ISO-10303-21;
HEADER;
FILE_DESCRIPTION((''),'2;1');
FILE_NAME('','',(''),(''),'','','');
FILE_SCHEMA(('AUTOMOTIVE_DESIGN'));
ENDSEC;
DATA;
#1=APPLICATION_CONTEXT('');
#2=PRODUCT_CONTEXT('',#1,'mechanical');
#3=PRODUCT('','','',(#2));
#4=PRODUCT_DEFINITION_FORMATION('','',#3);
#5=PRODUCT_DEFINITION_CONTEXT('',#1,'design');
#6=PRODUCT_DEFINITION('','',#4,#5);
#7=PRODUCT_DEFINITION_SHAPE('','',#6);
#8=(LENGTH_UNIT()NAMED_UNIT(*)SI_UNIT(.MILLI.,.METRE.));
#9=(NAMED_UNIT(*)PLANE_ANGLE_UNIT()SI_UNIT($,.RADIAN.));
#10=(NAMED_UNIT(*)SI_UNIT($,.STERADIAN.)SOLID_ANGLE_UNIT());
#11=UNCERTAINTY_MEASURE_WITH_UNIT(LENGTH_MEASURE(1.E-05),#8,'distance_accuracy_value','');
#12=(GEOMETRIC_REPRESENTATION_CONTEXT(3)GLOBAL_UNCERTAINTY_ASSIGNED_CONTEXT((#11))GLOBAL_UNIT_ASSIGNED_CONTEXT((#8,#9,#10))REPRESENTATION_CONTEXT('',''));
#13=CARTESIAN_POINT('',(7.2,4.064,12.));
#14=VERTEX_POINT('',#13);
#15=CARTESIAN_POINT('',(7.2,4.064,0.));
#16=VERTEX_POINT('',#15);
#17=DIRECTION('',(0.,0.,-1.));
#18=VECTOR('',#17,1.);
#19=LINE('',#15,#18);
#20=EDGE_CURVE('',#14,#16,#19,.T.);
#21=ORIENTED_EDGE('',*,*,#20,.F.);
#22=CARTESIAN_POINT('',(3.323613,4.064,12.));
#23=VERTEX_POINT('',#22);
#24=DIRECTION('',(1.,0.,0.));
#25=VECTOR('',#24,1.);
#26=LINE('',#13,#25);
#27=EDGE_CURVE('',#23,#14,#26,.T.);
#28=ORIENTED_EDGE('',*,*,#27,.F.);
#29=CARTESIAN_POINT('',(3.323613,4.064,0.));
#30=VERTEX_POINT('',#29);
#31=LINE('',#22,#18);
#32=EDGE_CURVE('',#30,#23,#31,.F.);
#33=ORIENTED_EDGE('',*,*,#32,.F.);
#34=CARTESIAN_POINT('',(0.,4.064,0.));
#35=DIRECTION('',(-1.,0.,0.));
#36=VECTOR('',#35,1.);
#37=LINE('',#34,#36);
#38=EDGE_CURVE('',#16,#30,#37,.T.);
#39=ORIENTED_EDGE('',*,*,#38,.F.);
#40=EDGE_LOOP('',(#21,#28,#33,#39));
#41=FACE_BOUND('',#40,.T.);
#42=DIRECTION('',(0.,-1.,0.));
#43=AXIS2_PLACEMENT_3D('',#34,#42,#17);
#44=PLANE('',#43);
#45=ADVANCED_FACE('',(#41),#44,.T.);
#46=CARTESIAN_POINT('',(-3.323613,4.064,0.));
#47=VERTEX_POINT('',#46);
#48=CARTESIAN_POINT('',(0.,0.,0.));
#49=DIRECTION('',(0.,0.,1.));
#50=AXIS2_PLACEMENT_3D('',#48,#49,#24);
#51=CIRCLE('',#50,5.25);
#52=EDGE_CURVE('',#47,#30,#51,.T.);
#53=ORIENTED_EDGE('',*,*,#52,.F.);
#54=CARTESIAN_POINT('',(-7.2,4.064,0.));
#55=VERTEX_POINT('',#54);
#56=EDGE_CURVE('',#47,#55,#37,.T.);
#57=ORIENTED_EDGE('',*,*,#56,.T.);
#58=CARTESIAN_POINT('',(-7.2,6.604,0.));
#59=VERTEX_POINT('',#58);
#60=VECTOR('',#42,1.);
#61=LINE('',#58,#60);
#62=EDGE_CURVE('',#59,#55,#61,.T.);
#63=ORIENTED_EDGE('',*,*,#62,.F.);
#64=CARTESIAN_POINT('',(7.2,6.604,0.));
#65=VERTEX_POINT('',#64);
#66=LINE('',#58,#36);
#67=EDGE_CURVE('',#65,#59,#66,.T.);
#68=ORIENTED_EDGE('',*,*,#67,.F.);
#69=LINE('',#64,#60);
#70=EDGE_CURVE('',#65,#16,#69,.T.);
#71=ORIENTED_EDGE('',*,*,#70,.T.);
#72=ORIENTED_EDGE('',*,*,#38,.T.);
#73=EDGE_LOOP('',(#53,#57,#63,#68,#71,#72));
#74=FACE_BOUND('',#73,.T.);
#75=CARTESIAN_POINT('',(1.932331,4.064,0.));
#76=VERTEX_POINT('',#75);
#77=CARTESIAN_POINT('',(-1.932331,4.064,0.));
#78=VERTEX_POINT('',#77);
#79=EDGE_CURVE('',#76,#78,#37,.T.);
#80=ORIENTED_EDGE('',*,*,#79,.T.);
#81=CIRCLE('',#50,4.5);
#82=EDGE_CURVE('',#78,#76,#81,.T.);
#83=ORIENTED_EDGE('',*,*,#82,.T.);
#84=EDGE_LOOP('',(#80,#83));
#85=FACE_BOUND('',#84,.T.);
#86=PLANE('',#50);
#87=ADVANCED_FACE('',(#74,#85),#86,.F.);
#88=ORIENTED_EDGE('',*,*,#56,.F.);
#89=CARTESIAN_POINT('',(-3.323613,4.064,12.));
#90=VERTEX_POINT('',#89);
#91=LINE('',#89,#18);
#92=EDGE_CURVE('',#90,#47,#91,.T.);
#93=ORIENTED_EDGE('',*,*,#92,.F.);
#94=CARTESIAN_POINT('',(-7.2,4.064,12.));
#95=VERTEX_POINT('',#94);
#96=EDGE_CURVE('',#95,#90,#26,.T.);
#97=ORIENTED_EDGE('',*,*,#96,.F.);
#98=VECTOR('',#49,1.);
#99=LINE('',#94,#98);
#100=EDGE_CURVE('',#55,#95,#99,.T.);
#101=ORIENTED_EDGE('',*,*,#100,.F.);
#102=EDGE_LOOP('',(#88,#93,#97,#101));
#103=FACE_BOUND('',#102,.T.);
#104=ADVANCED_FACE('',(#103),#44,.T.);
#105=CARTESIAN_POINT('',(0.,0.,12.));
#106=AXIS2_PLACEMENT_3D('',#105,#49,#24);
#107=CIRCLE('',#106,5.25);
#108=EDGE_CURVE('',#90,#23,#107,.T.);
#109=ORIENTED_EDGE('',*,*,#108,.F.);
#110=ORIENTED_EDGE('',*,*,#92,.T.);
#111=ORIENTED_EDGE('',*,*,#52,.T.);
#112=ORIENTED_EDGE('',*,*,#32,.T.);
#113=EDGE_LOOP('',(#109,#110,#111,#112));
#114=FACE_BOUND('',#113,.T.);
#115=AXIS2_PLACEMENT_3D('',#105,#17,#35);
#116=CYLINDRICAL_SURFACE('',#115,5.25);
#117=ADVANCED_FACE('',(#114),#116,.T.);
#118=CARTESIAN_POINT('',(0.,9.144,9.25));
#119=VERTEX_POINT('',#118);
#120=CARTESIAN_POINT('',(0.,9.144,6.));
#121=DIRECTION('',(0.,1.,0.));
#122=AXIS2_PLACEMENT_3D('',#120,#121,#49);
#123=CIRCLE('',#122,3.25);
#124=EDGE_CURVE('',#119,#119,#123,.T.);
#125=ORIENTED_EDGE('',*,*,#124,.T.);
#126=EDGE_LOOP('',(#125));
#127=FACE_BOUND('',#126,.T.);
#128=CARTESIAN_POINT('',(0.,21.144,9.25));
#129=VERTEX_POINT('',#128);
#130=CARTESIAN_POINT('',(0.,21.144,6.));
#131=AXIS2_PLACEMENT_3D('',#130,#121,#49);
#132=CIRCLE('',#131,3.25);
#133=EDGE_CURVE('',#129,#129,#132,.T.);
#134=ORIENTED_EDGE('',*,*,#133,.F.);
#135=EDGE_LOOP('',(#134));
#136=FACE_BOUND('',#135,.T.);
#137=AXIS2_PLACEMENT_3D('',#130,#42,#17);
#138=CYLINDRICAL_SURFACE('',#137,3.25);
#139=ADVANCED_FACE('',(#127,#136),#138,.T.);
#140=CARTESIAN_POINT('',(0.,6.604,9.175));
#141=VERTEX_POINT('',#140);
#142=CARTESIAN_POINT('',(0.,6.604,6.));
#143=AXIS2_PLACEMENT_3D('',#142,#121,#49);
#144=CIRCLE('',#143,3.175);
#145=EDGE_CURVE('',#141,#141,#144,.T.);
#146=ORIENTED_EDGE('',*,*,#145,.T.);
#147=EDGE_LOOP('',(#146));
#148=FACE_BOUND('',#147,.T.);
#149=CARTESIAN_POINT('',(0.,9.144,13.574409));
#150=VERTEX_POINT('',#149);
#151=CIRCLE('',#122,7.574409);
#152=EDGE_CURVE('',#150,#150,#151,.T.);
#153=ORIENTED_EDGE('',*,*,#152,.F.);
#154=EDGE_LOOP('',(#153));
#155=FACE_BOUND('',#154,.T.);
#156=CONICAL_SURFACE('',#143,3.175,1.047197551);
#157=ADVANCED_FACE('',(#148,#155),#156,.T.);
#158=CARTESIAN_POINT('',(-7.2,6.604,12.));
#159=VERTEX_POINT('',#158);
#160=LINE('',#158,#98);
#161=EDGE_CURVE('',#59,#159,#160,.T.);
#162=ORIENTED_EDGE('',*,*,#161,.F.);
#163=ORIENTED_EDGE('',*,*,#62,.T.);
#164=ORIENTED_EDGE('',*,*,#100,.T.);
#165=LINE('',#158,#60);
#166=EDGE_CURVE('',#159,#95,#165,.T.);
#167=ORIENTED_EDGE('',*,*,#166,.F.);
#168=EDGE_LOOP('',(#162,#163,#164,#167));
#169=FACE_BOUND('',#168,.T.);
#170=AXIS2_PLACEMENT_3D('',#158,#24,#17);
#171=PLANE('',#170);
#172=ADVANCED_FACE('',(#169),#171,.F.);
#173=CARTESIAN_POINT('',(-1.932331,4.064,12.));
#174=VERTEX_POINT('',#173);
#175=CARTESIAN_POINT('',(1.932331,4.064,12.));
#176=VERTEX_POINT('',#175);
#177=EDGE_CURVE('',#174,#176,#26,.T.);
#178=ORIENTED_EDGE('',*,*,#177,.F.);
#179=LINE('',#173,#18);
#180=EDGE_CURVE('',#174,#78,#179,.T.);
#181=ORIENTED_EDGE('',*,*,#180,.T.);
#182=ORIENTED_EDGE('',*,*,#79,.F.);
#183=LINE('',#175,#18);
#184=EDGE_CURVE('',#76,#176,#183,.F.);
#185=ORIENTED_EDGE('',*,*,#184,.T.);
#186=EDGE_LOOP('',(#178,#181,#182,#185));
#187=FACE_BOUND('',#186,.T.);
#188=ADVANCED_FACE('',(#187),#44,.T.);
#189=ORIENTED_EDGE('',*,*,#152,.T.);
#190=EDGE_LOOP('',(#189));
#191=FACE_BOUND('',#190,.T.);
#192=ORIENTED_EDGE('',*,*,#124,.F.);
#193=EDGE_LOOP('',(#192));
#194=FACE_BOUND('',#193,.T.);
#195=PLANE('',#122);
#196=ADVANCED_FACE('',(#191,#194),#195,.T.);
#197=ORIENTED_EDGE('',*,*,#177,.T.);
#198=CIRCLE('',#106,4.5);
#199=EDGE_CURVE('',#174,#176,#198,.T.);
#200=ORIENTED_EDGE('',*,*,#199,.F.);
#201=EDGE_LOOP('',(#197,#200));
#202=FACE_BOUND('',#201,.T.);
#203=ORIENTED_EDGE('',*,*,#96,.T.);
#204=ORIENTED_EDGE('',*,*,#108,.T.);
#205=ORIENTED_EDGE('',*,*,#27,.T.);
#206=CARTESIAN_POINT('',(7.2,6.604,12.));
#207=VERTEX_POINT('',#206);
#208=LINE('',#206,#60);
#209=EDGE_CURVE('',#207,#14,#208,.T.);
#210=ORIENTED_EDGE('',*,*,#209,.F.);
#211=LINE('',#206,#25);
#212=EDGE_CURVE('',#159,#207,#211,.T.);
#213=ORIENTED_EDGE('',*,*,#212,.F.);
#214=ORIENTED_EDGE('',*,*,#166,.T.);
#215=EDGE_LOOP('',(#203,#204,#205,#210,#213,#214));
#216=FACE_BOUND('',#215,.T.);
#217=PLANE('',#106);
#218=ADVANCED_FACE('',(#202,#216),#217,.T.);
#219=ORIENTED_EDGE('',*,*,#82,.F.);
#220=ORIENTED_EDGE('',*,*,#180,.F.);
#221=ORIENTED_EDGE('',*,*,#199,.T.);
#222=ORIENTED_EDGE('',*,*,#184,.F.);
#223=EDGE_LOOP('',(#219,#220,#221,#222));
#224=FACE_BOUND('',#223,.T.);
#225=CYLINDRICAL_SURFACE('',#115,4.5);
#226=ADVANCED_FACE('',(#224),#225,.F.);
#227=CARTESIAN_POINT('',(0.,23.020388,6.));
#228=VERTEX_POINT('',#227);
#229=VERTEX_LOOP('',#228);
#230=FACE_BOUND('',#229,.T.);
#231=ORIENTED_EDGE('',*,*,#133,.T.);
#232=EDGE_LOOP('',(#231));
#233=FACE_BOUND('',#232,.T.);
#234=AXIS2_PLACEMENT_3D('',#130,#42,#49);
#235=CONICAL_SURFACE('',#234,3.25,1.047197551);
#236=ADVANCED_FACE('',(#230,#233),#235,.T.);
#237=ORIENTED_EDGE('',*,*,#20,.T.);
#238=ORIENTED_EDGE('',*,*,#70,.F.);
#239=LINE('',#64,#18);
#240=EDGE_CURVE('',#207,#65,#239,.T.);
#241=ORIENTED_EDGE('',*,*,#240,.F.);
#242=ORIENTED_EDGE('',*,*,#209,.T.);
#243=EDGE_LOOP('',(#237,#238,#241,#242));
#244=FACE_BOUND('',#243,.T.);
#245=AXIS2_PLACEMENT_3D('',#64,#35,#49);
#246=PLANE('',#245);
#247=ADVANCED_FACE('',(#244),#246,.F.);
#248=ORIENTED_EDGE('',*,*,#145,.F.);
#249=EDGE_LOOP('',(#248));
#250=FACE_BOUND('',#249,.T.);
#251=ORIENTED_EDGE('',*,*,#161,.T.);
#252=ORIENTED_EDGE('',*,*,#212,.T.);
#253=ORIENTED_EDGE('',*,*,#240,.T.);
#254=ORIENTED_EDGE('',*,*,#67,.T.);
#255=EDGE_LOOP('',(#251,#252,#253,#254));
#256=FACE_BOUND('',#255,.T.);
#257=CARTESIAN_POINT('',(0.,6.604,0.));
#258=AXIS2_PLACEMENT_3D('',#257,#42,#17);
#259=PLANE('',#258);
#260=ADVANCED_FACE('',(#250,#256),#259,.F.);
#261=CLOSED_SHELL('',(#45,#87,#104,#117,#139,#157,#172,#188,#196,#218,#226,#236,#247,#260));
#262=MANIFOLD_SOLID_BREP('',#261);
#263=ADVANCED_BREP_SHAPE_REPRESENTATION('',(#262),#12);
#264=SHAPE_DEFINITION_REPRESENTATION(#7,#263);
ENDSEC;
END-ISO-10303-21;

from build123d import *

# Parameters (mm, degrees)
SKETCH1_R           = 5.25
SKETCH1_R_2         = 4.5
BOSS_EXTRUDE1_DEPTH = 12
BOSS_EXTRUDE2_DEPTH = 2.54
SKETCH3_R           = 3.175
BOSS_EXTRUDE3_DEPTH = 2.54
BOSS_EXTRUDE3_DRAFT = -60
SKETCH4_R           = 3.25
BOSS_EXTRUDE4_DEPTH = 12


with BuildPart() as part:
    # Sketch1 → Boss-Extrude1 (new body)
    with BuildSketch(Plane.XY):
        Circle(SKETCH1_R)
        Circle(SKETCH1_R_2, mode=Mode.SUBTRACT)
    extrude(amount=BOSS_EXTRUDE1_DEPTH)

    # Sketch2 → Boss-Extrude2 (add)
    with BuildSketch(Plane(origin=(0, 4.064, 0), x_dir=(1, 0, 0), z_dir=(0, 1, 0))):
        Polygon((0, 0), (7.2, 0), (7.2, -12), (-7.2, -12), (-7.2, 0), align=None)
    extrude(amount=BOSS_EXTRUDE2_DEPTH)


with BuildPart() as boss_extrude3_tool:
    # Sketch3 → Boss-Extrude3 (with draft: the straight prism first)
    with BuildSketch(Plane(origin=(0, 6.604, 0), x_dir=(1, 0, 0), z_dir=(0, 1, 0))):
        with Locations((0, -6)):
            Circle(SKETCH3_R)
    extrude(amount=BOSS_EXTRUDE3_DEPTH)
    # Boss-Extrude3: the draft: its side faces are tilted about the plane it starts from
    boss_extrude3_sides = [boss_extrude3_tool.faces().sort_by_distance(p)[0] for p in [
        (-3.175, 7.874, 6),
    ]]
    draft(boss_extrude3_sides, Plane(origin=(0, 6.604, 0), x_dir=(1, 0, 0), z_dir=(0, 1, 0)), BOSS_EXTRUDE3_DRAFT)


with BuildPart() as part_1:
    add(part.part)

    # Boss-Extrude3: add boss_extrude3_tool
    add(boss_extrude3_tool.part)

    # Sketch4 → Boss-Extrude4 (add)
    with BuildSketch(Plane(origin=(0, 9.144, 0), x_dir=(1, 0, 0), z_dir=(0, 1, 0))):
        with Locations(Location((0, -6, 0), (0, 0, 270))):
            Circle(SKETCH4_R)
    extrude(amount=BOSS_EXTRUDE4_DEPTH)

    # Boss-Extrude5 cone 1 section (through the dimple's axis) → Boss-Extrude5 (revolve)
    with BuildSketch(Plane(origin=(0, 21.144, 6), x_dir=(0, 0, -1), z_dir=(1, 0, 0))):
        Polygon((0, 0), (3.25, 0), (0, 1.876388375), align=None)
    revolve(axis=Axis((0, 21.144, 6), (0, 1, 0)))


solid = part_1.part
